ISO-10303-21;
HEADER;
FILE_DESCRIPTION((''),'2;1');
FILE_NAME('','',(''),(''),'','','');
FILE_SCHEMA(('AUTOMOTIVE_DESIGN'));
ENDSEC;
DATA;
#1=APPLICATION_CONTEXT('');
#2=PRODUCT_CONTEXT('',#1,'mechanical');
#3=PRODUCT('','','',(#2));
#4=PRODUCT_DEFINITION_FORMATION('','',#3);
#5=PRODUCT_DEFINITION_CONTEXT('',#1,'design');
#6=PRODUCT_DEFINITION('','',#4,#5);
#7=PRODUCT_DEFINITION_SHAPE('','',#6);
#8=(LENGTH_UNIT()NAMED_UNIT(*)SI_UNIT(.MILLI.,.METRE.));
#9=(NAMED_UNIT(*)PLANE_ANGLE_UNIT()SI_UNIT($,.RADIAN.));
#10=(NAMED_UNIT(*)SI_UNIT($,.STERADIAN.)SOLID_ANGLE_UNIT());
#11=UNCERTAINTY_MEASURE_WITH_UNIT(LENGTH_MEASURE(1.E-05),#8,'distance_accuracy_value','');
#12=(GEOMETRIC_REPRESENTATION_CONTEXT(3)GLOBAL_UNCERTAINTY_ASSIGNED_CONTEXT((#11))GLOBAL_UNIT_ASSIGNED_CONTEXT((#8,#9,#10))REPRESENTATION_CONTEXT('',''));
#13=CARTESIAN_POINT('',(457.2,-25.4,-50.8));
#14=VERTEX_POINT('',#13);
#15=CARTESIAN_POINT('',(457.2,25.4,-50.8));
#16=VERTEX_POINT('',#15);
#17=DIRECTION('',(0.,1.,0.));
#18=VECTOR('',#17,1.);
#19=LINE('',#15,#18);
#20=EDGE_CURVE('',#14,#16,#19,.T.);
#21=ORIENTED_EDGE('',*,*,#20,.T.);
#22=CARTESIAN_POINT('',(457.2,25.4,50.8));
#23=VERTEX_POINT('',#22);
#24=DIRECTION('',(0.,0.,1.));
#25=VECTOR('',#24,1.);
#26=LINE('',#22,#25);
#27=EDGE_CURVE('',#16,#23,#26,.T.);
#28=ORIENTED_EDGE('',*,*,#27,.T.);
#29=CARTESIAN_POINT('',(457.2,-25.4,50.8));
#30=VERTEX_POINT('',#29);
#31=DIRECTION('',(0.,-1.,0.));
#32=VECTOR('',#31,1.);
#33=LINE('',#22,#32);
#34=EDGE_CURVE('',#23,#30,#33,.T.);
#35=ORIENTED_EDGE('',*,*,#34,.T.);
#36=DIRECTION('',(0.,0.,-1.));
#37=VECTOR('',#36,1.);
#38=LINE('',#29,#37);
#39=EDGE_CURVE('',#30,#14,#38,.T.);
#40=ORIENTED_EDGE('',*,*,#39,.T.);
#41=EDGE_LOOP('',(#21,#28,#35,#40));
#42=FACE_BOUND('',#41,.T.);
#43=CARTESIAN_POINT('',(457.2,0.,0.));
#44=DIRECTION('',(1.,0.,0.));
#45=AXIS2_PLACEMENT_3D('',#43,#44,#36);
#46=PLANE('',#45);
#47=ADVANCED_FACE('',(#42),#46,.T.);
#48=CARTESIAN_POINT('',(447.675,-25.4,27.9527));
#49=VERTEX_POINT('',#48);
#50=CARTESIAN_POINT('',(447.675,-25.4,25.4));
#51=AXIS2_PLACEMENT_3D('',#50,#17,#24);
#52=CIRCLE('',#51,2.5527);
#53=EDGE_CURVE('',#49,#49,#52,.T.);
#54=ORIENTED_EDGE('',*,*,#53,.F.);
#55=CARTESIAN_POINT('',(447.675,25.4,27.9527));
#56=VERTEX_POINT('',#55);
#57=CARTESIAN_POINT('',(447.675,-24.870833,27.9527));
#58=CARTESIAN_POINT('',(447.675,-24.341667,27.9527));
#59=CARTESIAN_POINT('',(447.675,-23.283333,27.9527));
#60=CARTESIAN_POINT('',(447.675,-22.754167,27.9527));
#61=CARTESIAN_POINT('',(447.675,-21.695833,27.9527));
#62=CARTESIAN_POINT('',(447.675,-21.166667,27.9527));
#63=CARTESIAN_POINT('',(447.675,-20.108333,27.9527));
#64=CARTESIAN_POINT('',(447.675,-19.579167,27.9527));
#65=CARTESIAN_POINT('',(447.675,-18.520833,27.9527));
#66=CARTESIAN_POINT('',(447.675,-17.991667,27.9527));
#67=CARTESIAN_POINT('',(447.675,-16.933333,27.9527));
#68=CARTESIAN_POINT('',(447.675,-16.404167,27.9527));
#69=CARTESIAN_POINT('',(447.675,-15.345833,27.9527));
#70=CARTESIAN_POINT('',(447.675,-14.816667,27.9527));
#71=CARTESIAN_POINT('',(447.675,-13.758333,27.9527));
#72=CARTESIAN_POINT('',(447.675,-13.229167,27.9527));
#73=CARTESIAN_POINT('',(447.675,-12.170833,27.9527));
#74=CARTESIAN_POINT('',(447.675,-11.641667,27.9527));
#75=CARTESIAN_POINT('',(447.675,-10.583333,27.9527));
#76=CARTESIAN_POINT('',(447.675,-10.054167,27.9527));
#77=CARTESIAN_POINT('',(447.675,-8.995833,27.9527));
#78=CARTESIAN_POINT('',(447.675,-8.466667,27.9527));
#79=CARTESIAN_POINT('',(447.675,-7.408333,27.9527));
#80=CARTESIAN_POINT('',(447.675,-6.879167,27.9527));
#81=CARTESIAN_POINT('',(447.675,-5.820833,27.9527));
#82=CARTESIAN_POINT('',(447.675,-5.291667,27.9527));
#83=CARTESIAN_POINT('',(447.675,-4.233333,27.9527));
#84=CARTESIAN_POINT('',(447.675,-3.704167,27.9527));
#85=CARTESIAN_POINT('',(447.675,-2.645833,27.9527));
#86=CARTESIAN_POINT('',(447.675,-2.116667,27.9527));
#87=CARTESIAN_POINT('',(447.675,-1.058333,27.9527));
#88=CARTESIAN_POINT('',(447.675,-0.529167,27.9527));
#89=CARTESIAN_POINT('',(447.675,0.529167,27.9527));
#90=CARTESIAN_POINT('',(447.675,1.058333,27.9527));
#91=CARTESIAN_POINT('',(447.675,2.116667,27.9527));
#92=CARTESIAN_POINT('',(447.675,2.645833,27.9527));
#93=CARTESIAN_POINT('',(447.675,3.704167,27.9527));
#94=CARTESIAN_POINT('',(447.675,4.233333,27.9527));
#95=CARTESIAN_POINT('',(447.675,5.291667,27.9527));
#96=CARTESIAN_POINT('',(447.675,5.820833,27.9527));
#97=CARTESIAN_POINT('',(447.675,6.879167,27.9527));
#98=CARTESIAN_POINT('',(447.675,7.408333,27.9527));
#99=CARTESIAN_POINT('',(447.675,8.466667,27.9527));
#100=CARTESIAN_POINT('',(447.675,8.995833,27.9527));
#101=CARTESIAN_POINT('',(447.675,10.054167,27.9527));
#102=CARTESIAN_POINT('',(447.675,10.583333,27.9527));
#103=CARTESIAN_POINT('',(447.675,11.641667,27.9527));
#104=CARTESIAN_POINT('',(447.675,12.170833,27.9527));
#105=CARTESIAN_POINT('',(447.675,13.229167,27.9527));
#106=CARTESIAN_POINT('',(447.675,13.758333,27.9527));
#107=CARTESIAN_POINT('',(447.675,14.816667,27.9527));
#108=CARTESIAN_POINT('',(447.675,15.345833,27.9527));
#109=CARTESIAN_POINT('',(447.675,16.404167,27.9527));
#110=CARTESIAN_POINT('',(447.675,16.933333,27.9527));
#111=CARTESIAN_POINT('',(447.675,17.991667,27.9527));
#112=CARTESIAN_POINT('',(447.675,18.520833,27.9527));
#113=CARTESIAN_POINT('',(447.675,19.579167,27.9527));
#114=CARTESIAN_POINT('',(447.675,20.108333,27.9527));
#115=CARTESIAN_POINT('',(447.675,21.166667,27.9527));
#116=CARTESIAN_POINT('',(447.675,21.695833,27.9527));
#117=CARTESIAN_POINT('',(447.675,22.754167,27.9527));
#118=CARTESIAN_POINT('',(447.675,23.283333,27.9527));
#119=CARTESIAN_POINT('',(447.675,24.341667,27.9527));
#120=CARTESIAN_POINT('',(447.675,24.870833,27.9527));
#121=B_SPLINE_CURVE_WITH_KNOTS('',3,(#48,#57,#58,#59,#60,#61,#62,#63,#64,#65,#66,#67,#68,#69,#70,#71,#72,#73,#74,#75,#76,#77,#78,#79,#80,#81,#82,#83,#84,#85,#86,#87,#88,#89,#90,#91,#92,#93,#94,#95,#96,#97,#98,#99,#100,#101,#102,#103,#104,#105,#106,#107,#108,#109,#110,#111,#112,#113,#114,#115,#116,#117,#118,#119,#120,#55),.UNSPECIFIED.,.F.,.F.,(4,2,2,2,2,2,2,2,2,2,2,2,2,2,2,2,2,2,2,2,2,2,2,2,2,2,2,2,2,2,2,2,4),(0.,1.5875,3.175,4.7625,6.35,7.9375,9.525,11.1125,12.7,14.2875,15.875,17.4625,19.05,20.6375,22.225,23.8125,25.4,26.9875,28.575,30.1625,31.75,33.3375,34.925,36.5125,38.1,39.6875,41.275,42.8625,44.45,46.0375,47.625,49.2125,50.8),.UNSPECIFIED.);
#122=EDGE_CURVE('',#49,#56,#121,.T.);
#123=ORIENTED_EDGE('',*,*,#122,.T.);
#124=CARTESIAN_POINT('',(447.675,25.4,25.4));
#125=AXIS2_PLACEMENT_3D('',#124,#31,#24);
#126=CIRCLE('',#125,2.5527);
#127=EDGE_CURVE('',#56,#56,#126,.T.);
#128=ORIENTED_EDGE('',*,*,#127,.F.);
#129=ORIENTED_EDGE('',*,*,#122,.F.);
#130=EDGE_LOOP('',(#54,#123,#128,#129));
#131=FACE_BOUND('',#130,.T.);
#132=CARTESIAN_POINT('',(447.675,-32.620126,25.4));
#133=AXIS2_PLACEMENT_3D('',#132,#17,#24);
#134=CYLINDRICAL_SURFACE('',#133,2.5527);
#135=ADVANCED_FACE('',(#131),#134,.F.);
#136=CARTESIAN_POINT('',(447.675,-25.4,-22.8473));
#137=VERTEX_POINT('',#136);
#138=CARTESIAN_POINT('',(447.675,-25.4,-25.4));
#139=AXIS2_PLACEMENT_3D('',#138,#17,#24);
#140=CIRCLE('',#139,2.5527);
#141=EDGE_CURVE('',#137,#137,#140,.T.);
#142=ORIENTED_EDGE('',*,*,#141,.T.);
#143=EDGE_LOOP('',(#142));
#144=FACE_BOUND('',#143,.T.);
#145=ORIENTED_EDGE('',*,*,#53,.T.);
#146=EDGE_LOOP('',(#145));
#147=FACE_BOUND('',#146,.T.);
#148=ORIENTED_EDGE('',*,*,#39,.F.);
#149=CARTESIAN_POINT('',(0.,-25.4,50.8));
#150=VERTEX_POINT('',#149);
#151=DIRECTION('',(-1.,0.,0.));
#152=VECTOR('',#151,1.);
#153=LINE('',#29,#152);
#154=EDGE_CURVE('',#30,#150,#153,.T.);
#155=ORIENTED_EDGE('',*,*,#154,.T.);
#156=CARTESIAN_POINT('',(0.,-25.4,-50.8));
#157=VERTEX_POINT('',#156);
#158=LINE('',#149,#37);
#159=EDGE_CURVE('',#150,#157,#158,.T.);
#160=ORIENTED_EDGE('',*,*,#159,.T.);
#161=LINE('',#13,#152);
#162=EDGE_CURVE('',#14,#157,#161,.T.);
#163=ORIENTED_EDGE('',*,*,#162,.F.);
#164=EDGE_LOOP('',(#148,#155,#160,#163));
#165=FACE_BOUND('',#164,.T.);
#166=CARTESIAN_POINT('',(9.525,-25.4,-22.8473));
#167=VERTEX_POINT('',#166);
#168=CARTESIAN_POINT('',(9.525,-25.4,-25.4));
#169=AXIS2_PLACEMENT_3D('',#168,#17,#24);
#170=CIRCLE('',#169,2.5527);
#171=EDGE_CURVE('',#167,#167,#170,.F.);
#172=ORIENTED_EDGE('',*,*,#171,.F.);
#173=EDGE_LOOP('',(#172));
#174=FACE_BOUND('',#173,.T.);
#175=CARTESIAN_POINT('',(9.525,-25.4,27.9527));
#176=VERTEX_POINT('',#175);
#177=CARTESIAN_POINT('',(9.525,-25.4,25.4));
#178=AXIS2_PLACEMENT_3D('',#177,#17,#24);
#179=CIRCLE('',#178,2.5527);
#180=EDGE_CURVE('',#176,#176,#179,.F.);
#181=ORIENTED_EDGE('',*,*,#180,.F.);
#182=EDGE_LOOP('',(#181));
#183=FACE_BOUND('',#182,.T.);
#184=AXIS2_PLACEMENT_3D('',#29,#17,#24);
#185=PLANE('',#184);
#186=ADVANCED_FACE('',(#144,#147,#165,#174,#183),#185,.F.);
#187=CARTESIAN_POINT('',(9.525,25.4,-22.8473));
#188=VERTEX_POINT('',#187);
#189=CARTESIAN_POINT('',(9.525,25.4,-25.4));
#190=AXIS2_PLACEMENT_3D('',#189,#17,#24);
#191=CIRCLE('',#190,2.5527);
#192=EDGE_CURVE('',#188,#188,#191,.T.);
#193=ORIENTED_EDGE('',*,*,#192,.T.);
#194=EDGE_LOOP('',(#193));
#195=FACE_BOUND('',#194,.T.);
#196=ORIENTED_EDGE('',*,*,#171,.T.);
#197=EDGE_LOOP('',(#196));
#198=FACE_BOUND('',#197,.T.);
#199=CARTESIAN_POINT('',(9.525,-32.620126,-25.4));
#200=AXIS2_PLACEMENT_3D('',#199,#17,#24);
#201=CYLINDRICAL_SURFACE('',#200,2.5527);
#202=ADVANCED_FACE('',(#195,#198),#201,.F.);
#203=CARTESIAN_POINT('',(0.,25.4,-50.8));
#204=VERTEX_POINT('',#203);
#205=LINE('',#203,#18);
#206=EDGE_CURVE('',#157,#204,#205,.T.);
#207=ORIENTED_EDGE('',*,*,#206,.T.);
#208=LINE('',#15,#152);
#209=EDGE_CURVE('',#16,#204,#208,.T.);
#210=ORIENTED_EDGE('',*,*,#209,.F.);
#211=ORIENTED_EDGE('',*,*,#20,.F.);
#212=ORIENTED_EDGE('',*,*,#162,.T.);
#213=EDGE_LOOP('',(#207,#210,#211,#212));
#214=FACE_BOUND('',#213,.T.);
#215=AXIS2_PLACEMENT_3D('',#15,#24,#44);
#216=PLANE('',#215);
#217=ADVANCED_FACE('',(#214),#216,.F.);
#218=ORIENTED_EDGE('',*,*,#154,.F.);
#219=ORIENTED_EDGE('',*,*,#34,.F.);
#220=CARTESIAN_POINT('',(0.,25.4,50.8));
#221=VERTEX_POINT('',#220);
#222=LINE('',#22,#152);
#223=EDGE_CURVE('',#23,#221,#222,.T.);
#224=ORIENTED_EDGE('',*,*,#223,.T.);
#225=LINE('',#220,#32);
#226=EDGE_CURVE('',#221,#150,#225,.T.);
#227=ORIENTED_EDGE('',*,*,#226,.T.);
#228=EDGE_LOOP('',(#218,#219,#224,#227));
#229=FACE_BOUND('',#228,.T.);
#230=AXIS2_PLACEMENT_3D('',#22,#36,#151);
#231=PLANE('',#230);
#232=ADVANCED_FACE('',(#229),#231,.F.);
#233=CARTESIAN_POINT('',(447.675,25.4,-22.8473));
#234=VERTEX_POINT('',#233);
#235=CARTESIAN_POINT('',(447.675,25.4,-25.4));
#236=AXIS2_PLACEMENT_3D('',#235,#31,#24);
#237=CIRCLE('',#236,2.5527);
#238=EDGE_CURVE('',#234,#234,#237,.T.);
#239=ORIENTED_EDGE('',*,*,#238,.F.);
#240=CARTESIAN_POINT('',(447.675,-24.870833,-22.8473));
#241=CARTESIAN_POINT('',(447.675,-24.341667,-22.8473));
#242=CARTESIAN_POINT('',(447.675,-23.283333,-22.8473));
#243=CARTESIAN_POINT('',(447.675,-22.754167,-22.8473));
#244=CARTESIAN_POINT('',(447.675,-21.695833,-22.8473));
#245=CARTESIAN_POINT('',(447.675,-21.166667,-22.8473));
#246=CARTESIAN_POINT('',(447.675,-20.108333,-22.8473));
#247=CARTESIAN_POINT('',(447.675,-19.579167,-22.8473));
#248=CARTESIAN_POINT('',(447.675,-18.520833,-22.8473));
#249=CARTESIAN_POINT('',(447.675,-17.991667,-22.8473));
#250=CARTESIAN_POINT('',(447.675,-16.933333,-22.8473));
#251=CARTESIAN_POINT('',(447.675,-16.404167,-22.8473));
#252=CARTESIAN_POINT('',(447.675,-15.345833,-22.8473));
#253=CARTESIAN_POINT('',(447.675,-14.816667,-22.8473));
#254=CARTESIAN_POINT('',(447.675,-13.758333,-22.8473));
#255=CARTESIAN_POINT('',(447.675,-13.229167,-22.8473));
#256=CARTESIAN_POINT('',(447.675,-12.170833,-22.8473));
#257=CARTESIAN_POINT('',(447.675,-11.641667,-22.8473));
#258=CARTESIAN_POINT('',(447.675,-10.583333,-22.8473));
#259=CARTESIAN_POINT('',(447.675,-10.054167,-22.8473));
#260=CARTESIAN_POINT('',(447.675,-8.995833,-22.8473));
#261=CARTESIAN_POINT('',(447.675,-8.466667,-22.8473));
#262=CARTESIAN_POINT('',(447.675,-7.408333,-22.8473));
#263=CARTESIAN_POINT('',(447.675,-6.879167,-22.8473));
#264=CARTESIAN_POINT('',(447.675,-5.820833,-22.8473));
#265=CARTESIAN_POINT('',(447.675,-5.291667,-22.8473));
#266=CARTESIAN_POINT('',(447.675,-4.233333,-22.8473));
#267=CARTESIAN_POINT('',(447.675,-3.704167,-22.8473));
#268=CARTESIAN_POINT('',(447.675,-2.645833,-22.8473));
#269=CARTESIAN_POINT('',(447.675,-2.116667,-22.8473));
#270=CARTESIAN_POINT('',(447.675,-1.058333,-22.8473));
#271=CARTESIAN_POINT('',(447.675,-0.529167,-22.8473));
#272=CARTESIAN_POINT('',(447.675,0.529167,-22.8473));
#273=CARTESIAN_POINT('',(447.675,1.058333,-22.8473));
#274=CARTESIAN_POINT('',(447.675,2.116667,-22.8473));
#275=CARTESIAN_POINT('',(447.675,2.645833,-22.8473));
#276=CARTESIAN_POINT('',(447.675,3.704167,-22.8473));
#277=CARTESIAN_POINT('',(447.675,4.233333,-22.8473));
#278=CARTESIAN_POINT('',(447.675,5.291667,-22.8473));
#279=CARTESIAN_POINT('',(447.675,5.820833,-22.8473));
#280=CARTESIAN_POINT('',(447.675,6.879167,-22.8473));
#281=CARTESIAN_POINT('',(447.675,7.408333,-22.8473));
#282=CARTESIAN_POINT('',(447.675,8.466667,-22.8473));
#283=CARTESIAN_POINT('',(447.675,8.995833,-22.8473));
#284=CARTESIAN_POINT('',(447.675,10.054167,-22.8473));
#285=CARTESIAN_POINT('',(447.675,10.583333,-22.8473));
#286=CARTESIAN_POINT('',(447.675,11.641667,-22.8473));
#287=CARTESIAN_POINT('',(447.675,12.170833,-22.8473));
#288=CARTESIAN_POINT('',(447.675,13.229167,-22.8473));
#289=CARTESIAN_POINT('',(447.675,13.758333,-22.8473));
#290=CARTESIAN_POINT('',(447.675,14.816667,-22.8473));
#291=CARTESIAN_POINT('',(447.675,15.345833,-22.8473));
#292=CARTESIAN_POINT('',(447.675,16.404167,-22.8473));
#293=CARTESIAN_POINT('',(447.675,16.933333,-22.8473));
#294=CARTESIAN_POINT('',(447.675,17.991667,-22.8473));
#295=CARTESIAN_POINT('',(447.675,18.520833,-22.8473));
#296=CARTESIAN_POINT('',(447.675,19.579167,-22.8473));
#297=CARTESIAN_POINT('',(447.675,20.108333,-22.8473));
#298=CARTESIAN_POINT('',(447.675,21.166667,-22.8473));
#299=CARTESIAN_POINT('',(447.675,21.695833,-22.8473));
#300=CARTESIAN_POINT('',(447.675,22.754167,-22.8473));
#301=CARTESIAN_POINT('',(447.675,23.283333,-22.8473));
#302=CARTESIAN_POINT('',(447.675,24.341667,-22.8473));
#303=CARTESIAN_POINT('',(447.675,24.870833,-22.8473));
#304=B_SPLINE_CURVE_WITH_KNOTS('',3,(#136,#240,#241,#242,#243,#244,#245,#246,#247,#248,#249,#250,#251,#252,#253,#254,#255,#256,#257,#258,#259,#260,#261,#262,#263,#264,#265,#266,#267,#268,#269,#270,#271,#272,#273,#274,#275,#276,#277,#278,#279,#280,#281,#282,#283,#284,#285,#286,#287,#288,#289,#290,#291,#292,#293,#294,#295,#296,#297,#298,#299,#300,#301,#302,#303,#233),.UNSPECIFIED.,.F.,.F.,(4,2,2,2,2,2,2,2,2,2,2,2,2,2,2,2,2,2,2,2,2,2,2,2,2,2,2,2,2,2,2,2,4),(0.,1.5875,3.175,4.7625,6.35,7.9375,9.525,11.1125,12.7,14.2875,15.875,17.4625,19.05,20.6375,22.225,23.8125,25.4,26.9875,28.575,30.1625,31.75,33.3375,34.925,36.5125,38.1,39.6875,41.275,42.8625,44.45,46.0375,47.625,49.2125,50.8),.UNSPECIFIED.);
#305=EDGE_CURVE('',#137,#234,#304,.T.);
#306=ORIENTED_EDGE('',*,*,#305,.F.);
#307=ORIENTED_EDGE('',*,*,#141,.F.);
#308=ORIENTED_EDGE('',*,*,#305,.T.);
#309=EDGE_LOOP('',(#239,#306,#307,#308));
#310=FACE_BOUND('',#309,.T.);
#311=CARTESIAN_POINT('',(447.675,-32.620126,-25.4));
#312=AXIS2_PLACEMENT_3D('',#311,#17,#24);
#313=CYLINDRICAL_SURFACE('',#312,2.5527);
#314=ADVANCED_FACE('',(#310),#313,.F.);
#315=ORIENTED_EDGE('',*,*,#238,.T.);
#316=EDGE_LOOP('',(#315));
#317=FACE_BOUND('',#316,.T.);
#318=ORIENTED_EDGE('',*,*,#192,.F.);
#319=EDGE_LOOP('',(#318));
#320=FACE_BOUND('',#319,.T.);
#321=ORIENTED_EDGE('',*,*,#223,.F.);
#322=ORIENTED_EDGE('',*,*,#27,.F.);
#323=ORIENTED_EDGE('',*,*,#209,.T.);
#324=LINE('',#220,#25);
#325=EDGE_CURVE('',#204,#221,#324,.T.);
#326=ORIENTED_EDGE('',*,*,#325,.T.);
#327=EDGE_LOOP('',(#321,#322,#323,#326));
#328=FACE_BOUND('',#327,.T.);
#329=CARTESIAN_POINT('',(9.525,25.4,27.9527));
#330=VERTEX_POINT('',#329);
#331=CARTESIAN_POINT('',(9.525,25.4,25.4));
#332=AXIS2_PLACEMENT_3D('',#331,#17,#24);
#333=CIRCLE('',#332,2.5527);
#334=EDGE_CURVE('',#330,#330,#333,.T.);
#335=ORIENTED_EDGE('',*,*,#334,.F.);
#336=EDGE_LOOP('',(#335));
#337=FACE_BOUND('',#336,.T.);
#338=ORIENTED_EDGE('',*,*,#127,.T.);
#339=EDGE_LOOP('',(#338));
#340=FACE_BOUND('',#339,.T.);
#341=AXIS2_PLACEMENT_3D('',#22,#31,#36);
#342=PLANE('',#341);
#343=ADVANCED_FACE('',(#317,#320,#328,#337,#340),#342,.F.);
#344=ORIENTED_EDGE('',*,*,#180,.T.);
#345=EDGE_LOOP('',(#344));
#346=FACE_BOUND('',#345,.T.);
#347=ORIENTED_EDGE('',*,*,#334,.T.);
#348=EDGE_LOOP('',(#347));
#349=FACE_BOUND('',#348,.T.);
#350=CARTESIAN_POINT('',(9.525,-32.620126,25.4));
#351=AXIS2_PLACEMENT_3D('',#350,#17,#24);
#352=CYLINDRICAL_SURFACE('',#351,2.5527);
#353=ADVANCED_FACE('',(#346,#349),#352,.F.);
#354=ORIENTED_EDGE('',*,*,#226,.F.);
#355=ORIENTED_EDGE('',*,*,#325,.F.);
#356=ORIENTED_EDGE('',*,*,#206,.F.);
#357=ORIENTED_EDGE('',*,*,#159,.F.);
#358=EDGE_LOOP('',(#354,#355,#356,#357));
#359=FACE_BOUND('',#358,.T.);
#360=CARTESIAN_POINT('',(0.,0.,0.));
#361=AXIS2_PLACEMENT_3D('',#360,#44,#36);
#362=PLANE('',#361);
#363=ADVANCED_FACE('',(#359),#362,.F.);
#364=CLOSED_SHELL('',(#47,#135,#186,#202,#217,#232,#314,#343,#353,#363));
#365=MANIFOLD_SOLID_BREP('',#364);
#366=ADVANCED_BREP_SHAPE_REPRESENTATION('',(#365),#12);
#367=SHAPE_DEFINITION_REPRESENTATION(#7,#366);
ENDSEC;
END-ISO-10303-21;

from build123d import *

# Parameters (mm, degrees)
SKETCH1_W           = 101.6
SKETCH1_H           = 50.8
BOSS_EXTRUDE1_DEPTH = 457.2
SKETCH3_R           = 2.5527
CUT_EXTRUDE1_DEPTH  = 50.8


with BuildPart() as part:
    # Sketch1 → Boss-Extrude1 (new body)
    with BuildSketch(Plane(origin=(0, 0, 0), x_dir=(0, 0, -1), z_dir=(1, 0, 0))):
        Rectangle(SKETCH1_W, SKETCH1_H)
    extrude(amount=BOSS_EXTRUDE1_DEPTH)

    # Sketch3 → Cut-Extrude1 (cut)
    with BuildSketch(Plane(origin=(0, 25.4, 0), x_dir=(1, 0, 0), z_dir=(0, 1, 0))):
        with Locations(Location((9.525, 25.4, 0), (0, 0, 270))):
            Circle(SKETCH3_R)
        with Locations(Location((9.525, -25.4, 0), (0, 0, 270))):
            Circle(SKETCH3_R)
    cut_extrude1 = extrude(amount=-CUT_EXTRUDE1_DEPTH, mode=Mode.SUBTRACT)

    # Mirror1: Cut-Extrude1 across plane
    add(cut_extrude1.mirror(Plane.ZY.offset(-228.6)), mode=Mode.SUBTRACT)


solid = part.part
